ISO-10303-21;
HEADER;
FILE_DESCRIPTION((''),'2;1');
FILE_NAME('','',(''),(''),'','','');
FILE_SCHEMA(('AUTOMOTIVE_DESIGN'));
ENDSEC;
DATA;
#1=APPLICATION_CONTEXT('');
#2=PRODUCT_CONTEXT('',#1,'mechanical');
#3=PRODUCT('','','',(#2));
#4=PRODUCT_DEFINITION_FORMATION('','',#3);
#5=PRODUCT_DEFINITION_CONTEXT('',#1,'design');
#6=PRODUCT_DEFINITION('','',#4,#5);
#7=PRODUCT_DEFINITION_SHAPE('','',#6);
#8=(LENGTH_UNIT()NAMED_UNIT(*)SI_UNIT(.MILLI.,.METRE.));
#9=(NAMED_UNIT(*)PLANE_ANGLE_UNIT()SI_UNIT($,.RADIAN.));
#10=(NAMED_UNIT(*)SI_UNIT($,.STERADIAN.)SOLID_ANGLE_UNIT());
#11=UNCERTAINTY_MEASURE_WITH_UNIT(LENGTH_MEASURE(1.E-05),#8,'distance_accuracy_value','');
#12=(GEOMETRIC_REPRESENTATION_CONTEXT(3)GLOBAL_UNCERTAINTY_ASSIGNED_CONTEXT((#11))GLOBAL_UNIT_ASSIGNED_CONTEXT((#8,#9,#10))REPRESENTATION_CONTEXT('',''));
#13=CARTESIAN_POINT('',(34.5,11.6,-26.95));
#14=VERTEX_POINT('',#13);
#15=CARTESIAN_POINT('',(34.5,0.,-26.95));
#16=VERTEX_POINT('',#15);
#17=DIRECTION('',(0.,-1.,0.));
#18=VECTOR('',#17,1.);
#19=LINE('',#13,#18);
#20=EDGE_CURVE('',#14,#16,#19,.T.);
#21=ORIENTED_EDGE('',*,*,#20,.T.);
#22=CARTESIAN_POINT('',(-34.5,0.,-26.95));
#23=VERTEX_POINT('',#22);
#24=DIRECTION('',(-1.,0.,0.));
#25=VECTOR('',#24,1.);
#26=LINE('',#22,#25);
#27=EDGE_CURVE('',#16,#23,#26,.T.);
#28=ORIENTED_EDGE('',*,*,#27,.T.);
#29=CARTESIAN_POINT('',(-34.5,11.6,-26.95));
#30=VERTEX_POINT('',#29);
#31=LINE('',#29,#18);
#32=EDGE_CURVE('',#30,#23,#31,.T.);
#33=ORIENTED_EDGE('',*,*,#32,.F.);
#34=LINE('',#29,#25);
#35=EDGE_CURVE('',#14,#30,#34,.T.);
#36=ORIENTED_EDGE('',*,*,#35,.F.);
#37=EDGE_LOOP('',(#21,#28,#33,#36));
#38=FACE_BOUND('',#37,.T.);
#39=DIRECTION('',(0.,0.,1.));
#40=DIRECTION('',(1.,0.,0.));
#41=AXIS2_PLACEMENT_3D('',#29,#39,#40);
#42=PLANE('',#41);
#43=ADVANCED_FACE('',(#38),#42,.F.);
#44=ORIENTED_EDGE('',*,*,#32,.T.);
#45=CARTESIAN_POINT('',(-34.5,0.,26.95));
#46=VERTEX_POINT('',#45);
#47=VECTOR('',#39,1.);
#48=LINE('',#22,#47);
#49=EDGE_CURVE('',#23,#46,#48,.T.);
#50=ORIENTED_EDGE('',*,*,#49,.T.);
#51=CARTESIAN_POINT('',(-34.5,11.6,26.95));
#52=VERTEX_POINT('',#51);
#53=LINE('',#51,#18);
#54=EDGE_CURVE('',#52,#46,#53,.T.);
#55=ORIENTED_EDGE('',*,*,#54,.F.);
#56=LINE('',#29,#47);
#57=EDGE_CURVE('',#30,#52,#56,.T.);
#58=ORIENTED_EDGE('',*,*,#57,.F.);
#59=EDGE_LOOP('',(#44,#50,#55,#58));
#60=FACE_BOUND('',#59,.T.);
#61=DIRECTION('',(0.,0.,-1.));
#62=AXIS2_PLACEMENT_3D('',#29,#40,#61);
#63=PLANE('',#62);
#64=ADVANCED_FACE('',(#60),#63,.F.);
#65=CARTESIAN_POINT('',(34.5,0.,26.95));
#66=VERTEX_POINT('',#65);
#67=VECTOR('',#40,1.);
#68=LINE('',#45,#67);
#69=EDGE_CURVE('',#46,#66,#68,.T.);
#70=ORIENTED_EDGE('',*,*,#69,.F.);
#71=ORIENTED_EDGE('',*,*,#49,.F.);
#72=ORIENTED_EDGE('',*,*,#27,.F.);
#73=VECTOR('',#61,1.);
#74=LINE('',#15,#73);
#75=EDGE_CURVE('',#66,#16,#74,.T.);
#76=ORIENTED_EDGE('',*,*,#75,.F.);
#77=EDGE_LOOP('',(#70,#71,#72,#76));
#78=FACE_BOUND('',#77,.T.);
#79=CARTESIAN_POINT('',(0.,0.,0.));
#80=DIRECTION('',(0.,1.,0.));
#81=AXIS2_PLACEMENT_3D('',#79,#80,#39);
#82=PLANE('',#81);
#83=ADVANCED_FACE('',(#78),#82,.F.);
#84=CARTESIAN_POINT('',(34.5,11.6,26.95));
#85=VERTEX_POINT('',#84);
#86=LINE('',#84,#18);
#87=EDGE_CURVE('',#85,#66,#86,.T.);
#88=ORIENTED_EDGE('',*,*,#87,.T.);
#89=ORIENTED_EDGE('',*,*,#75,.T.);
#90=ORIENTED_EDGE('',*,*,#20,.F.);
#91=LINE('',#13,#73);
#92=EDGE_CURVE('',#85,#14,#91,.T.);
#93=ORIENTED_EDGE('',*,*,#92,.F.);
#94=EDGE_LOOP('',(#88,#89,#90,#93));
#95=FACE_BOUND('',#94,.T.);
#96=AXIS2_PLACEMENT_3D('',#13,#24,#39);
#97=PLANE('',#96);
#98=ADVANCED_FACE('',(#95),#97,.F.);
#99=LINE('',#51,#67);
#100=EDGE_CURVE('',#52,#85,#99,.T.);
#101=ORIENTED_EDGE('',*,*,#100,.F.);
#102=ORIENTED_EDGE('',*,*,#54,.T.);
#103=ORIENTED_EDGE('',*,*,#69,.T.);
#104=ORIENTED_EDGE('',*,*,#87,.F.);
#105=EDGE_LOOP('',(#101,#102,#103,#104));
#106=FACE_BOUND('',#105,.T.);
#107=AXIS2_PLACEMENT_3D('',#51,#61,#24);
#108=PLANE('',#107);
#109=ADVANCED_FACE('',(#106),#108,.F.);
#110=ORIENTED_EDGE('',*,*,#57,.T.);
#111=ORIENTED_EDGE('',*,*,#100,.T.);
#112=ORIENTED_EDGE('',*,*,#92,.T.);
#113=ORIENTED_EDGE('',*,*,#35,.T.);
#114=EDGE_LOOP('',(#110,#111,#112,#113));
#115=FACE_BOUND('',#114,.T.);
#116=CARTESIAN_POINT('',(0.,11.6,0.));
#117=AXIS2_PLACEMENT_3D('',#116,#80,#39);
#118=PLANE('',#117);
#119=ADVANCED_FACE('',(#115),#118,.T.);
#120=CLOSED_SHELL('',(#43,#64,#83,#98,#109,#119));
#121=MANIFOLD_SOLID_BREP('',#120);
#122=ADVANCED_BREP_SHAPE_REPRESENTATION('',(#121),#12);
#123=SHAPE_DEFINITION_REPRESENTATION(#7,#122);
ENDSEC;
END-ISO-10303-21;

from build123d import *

# Parameters (mm, degrees)
SKETCH_1_W      = 69
SKETCH_1_H      = 53.9
EXTRUDE_1_DEPTH = 11.6


with BuildPart() as part:
    # 草圖1 → 填料-伸長1 (new body)
    with BuildSketch(Plane(origin=(0, 0, 0), x_dir=(1, 0, 0), z_dir=(0, 1, 0))):
        Rectangle(SKETCH_1_W, SKETCH_1_H)
    extrude(amount=EXTRUDE_1_DEPTH)


solid = part.part
